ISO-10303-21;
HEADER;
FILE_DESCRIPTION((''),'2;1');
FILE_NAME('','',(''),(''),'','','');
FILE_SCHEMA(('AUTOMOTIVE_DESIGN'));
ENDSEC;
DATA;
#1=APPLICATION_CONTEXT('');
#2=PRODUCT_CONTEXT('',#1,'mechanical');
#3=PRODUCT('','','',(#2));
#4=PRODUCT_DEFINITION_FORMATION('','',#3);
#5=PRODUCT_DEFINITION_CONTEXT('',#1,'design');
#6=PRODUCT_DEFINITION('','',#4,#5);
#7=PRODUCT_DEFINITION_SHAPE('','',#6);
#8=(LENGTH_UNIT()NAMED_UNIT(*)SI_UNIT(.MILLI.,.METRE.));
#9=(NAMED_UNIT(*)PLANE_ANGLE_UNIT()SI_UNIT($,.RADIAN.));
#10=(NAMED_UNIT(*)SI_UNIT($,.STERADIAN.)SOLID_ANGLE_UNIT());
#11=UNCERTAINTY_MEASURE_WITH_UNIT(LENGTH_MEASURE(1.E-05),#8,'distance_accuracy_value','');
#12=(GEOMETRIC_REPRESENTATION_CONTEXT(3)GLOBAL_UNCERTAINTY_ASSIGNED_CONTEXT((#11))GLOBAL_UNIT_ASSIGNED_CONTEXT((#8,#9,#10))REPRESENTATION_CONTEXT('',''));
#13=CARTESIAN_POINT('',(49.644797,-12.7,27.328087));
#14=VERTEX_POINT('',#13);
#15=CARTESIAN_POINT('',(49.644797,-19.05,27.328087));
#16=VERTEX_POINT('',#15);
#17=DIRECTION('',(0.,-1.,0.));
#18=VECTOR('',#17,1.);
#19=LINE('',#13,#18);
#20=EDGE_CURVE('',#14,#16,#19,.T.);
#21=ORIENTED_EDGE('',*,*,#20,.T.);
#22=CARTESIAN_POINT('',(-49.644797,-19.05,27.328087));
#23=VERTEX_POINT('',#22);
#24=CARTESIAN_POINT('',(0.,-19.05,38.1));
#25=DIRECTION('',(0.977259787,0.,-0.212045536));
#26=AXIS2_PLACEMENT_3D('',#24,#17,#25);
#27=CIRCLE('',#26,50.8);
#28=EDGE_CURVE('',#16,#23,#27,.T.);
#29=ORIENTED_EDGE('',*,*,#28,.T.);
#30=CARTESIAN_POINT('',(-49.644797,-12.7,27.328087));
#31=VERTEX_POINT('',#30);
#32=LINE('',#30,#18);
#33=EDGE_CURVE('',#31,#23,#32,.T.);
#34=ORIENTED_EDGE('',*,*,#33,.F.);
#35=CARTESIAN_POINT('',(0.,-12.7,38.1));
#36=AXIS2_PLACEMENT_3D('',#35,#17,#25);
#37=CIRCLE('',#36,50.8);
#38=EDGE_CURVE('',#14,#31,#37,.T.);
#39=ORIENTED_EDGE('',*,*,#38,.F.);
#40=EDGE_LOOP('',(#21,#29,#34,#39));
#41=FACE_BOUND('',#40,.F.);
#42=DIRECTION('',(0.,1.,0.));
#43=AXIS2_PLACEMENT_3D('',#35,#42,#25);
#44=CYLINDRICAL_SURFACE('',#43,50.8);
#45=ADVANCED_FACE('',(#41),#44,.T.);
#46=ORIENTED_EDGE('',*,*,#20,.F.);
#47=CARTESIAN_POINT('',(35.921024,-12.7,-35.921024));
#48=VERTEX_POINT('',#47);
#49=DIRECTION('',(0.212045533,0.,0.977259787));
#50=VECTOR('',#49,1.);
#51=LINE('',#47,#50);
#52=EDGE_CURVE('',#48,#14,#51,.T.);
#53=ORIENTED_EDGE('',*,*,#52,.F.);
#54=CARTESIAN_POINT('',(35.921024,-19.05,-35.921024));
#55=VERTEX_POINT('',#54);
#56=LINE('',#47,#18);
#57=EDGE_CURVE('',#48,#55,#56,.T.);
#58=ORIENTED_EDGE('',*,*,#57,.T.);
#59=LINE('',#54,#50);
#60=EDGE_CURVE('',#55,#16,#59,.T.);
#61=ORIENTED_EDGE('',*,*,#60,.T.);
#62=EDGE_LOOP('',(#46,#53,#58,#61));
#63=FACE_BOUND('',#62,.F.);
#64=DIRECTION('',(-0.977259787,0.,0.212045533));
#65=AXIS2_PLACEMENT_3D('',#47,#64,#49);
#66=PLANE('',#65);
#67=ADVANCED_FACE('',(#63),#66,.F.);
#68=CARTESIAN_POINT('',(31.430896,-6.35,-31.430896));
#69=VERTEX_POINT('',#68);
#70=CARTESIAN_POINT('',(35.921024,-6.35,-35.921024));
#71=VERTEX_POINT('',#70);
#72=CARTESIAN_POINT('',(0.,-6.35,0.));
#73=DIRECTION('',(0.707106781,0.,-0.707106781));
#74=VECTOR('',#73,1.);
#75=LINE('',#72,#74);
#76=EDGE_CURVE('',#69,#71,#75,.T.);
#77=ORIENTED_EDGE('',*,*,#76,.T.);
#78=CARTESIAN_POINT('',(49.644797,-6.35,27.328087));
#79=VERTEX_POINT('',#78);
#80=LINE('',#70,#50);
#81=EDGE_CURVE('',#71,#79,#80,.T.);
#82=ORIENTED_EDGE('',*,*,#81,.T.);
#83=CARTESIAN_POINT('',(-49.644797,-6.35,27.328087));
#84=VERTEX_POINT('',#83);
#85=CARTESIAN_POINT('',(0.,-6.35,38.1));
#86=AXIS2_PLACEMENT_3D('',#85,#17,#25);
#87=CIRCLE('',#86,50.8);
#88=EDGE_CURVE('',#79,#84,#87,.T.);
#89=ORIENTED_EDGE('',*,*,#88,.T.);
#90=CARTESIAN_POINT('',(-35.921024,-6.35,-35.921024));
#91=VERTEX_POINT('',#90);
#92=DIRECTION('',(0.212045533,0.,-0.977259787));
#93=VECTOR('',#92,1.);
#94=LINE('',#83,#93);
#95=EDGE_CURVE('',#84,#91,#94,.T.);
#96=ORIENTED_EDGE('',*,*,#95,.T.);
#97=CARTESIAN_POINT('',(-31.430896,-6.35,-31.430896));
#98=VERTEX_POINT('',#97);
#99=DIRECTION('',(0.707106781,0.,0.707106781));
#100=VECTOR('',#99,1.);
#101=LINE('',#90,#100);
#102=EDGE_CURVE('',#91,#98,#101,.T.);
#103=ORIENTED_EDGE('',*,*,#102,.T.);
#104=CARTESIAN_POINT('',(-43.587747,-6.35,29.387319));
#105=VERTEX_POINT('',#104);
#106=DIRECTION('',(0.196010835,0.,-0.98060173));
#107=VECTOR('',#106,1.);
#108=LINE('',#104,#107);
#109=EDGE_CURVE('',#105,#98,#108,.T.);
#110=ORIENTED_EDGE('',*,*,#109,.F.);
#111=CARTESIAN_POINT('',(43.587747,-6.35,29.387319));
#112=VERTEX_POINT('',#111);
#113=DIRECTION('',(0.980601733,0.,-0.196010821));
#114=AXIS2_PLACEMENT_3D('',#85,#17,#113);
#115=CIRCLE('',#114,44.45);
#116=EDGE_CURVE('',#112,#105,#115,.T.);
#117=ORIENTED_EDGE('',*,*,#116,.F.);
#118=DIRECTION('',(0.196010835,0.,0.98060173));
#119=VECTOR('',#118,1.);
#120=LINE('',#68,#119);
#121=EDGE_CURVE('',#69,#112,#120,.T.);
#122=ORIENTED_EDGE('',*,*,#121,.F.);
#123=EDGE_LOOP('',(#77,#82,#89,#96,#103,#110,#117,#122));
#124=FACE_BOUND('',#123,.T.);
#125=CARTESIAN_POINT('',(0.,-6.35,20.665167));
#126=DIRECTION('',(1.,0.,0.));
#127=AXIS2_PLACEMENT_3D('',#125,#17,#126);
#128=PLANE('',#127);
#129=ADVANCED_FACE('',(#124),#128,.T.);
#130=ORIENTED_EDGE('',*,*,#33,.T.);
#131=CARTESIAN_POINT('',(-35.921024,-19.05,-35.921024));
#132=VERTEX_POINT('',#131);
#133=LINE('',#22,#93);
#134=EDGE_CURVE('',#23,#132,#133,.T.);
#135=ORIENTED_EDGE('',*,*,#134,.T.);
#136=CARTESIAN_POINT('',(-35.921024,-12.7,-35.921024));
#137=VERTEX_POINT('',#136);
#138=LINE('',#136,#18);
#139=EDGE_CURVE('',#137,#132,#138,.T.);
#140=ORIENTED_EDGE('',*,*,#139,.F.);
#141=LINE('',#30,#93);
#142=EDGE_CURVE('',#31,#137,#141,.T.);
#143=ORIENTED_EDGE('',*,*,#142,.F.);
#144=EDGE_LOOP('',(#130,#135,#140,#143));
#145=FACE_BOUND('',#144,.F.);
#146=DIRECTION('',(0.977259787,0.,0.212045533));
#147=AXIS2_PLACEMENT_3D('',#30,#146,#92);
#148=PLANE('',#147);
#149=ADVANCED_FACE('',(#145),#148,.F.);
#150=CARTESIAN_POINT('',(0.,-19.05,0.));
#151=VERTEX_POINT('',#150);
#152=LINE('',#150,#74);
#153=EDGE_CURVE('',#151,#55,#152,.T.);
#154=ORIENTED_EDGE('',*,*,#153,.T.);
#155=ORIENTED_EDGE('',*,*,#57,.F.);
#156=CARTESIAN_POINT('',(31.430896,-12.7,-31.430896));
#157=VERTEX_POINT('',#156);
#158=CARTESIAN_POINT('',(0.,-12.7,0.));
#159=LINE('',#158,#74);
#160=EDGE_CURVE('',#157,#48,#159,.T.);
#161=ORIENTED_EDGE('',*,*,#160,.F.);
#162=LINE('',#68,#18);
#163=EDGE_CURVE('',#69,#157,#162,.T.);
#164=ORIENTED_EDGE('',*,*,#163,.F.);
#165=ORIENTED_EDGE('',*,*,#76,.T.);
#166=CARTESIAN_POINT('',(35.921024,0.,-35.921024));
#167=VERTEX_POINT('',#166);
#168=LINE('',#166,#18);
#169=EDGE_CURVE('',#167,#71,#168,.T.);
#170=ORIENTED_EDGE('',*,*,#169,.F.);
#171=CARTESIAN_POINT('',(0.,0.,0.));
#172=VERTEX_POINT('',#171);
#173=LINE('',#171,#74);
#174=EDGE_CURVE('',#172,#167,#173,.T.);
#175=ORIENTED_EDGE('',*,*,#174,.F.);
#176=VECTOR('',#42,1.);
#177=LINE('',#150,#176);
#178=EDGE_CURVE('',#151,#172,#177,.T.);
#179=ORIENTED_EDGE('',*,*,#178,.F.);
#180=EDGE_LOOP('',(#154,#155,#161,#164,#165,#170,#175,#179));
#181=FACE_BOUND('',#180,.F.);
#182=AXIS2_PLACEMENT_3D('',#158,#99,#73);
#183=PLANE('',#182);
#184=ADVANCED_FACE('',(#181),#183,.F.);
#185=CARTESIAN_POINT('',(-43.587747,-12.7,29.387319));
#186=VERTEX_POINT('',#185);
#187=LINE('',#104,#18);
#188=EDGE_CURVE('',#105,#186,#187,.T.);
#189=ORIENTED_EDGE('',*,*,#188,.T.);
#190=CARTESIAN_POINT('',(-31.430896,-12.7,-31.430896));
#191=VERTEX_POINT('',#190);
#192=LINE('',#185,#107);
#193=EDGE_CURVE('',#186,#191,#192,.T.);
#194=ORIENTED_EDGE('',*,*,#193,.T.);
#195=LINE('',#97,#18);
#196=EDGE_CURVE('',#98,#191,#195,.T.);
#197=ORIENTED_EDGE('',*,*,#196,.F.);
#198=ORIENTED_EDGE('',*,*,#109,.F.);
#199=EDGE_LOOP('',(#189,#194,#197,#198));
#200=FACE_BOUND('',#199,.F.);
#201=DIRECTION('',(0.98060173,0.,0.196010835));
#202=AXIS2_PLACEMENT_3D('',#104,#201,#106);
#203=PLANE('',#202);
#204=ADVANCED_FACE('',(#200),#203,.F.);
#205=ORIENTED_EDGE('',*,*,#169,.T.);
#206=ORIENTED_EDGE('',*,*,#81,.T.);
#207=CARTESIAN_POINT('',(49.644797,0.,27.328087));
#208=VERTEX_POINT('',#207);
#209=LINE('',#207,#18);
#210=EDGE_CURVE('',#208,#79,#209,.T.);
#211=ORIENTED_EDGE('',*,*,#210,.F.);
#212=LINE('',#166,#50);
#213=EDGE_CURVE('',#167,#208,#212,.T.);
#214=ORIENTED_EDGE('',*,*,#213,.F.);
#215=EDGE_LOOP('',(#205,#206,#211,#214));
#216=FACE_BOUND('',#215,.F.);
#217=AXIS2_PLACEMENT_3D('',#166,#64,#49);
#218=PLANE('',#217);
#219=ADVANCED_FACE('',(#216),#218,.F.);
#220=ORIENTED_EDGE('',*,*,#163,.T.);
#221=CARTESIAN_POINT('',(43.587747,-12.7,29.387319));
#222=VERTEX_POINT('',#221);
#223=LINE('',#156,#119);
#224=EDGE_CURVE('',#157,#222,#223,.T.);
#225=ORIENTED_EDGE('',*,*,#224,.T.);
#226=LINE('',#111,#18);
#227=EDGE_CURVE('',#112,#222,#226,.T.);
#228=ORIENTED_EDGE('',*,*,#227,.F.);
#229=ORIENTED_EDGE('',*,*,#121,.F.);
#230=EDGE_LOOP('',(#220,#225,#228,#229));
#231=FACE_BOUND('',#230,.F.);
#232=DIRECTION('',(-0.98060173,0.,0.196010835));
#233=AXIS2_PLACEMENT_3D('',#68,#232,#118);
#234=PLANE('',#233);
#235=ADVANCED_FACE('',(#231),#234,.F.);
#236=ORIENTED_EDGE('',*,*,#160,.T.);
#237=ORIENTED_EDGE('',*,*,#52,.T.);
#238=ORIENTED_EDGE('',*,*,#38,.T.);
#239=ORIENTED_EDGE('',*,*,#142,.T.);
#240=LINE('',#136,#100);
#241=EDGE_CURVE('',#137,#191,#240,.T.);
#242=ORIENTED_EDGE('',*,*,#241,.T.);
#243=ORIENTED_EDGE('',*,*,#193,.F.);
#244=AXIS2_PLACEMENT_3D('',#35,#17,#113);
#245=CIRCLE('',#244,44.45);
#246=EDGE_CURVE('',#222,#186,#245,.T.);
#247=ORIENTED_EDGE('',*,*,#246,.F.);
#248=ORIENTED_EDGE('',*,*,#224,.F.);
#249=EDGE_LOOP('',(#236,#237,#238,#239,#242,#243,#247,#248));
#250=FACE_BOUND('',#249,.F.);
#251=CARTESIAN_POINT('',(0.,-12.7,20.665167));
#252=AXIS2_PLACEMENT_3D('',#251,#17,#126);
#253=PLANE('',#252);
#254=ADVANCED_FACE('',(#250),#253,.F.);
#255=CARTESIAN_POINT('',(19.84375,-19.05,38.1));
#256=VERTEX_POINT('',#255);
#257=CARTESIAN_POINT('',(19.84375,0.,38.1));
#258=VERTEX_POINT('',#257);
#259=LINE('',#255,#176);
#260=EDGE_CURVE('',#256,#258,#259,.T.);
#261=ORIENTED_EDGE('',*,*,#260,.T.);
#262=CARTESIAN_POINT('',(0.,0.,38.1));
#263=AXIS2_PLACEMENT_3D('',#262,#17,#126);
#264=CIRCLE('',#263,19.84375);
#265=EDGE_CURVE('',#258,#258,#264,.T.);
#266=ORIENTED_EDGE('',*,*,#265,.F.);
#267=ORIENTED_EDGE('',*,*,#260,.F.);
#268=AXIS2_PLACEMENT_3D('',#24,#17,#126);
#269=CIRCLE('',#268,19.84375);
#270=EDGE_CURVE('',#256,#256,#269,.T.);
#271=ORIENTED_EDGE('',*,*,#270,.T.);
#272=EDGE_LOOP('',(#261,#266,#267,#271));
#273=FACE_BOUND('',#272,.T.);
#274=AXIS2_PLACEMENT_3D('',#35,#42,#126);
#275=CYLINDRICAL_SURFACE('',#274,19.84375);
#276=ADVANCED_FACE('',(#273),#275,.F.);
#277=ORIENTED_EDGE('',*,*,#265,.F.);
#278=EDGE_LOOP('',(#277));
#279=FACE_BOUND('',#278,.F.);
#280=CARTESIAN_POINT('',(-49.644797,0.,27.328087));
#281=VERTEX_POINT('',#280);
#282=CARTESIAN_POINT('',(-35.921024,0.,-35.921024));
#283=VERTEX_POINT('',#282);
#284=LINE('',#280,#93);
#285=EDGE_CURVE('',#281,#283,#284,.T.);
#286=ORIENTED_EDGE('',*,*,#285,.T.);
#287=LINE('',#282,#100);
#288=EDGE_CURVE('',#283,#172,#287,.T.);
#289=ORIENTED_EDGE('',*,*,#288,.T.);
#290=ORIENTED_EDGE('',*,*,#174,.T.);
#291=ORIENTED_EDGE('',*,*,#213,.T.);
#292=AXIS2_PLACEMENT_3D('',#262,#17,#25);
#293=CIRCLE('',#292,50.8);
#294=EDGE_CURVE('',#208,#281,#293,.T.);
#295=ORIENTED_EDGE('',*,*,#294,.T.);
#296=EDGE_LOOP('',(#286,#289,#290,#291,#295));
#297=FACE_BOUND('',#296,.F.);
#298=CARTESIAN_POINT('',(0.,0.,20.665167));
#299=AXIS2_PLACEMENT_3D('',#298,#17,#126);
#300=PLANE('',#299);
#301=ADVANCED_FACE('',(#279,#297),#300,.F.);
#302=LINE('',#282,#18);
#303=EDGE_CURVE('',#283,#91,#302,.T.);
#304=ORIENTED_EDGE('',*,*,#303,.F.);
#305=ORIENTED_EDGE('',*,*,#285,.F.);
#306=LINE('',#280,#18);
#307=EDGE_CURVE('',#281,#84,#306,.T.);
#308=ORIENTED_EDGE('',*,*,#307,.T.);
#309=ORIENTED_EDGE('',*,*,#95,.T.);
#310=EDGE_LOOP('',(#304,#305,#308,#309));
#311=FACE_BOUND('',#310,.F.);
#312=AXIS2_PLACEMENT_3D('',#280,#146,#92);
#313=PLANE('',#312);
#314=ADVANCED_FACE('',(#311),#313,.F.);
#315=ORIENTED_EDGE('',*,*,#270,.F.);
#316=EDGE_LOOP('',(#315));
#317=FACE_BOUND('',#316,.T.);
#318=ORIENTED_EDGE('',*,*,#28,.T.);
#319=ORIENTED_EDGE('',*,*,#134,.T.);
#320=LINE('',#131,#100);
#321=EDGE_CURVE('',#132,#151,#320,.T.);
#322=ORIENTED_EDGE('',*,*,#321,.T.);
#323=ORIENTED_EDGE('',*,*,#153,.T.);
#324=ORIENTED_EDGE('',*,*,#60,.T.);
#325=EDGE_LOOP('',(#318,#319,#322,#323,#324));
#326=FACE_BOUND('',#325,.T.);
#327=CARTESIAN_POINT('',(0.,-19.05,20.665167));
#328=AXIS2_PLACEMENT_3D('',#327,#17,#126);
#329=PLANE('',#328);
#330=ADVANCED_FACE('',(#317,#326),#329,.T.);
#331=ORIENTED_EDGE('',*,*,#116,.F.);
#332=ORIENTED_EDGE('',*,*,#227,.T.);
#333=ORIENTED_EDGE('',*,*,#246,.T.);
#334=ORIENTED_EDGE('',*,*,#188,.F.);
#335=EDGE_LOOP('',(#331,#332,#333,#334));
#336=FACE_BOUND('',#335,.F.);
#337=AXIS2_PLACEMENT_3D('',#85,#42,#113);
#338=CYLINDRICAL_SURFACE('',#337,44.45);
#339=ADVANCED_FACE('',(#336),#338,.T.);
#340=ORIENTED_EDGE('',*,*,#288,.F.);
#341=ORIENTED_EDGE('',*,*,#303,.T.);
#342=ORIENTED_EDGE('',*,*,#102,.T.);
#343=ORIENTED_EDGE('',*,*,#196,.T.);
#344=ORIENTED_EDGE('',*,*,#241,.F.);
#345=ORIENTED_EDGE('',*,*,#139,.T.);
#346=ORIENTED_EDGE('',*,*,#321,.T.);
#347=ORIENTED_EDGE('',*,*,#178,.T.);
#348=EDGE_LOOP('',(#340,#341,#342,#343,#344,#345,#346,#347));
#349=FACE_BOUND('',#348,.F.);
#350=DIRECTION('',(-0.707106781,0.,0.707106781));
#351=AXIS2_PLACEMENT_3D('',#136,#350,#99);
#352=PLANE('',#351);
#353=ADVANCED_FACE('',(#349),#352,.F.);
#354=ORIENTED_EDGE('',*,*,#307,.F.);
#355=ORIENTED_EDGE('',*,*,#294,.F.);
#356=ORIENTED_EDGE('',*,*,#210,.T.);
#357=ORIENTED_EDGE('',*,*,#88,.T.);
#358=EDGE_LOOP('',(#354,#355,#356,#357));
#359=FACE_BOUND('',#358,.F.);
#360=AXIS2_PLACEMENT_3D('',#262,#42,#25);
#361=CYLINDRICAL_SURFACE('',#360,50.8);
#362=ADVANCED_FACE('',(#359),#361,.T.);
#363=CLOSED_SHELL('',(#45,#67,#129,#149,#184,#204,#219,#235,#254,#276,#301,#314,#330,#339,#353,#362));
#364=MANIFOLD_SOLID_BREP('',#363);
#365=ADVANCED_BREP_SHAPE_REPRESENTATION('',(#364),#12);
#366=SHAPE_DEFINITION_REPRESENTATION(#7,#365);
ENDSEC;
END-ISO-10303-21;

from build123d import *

# Parameters (mm, degrees)
SKETCH_R            = 19.84375
PAD_DEPTH           = 6.35
SKETCH001_R         = 19.84375
PAD001_DEPTH        = 6.35
LINEARPATTERN_COUNT = 2
LINEARPATTERN_PITCH = 12.7


with BuildPart() as part:
    # Sketch → Pad (new body)
    with BuildSketch(Plane.XZ):
        with BuildLine():
            ThreePointArc((49.644797, 27.328087), (0, 88.9), (-49.644797, 27.328087))
            Line((-49.644797, 27.328087), (-35.921024, -35.921024))
            Line((-35.921024, -35.921024), (0, 0))
            Line((0, 0), (35.921024, -35.921024))
            Line((35.921024, -35.921024), (49.644797, 27.328087))
        make_face()
        with Locations((0, 38.1)):
            Circle(SKETCH_R, mode=Mode.SUBTRACT)
    pad = extrude(amount=PAD_DEPTH)

    # Sketch001 (on DatumPlane) → Pad001 (join)
    with BuildSketch(Plane.XZ.offset(6.35)):
        with BuildLine():
            ThreePointArc((43.587747, 29.387319), (0, 82.55), (-43.587747, 29.387319))
            Line((-43.587747, 29.387319), (-31.430896, -31.430896))
            Line((-31.430896, -31.430896), (0, 0))
            Line((0, 0), (31.430896, -31.430896))
            Line((31.430896, -31.430896), (43.587747, 29.387319))
        make_face()
        with Locations((0, 38.1)):
            Circle(SKETCH001_R, mode=Mode.SUBTRACT)
    extrude(amount=PAD001_DEPTH)

    # LinearPattern: Pad ×2
    with Locations(*[(0, -i * LINEARPATTERN_PITCH, 0) for i in range(1, LINEARPATTERN_COUNT)]):
        add(pad)


solid = part.part
